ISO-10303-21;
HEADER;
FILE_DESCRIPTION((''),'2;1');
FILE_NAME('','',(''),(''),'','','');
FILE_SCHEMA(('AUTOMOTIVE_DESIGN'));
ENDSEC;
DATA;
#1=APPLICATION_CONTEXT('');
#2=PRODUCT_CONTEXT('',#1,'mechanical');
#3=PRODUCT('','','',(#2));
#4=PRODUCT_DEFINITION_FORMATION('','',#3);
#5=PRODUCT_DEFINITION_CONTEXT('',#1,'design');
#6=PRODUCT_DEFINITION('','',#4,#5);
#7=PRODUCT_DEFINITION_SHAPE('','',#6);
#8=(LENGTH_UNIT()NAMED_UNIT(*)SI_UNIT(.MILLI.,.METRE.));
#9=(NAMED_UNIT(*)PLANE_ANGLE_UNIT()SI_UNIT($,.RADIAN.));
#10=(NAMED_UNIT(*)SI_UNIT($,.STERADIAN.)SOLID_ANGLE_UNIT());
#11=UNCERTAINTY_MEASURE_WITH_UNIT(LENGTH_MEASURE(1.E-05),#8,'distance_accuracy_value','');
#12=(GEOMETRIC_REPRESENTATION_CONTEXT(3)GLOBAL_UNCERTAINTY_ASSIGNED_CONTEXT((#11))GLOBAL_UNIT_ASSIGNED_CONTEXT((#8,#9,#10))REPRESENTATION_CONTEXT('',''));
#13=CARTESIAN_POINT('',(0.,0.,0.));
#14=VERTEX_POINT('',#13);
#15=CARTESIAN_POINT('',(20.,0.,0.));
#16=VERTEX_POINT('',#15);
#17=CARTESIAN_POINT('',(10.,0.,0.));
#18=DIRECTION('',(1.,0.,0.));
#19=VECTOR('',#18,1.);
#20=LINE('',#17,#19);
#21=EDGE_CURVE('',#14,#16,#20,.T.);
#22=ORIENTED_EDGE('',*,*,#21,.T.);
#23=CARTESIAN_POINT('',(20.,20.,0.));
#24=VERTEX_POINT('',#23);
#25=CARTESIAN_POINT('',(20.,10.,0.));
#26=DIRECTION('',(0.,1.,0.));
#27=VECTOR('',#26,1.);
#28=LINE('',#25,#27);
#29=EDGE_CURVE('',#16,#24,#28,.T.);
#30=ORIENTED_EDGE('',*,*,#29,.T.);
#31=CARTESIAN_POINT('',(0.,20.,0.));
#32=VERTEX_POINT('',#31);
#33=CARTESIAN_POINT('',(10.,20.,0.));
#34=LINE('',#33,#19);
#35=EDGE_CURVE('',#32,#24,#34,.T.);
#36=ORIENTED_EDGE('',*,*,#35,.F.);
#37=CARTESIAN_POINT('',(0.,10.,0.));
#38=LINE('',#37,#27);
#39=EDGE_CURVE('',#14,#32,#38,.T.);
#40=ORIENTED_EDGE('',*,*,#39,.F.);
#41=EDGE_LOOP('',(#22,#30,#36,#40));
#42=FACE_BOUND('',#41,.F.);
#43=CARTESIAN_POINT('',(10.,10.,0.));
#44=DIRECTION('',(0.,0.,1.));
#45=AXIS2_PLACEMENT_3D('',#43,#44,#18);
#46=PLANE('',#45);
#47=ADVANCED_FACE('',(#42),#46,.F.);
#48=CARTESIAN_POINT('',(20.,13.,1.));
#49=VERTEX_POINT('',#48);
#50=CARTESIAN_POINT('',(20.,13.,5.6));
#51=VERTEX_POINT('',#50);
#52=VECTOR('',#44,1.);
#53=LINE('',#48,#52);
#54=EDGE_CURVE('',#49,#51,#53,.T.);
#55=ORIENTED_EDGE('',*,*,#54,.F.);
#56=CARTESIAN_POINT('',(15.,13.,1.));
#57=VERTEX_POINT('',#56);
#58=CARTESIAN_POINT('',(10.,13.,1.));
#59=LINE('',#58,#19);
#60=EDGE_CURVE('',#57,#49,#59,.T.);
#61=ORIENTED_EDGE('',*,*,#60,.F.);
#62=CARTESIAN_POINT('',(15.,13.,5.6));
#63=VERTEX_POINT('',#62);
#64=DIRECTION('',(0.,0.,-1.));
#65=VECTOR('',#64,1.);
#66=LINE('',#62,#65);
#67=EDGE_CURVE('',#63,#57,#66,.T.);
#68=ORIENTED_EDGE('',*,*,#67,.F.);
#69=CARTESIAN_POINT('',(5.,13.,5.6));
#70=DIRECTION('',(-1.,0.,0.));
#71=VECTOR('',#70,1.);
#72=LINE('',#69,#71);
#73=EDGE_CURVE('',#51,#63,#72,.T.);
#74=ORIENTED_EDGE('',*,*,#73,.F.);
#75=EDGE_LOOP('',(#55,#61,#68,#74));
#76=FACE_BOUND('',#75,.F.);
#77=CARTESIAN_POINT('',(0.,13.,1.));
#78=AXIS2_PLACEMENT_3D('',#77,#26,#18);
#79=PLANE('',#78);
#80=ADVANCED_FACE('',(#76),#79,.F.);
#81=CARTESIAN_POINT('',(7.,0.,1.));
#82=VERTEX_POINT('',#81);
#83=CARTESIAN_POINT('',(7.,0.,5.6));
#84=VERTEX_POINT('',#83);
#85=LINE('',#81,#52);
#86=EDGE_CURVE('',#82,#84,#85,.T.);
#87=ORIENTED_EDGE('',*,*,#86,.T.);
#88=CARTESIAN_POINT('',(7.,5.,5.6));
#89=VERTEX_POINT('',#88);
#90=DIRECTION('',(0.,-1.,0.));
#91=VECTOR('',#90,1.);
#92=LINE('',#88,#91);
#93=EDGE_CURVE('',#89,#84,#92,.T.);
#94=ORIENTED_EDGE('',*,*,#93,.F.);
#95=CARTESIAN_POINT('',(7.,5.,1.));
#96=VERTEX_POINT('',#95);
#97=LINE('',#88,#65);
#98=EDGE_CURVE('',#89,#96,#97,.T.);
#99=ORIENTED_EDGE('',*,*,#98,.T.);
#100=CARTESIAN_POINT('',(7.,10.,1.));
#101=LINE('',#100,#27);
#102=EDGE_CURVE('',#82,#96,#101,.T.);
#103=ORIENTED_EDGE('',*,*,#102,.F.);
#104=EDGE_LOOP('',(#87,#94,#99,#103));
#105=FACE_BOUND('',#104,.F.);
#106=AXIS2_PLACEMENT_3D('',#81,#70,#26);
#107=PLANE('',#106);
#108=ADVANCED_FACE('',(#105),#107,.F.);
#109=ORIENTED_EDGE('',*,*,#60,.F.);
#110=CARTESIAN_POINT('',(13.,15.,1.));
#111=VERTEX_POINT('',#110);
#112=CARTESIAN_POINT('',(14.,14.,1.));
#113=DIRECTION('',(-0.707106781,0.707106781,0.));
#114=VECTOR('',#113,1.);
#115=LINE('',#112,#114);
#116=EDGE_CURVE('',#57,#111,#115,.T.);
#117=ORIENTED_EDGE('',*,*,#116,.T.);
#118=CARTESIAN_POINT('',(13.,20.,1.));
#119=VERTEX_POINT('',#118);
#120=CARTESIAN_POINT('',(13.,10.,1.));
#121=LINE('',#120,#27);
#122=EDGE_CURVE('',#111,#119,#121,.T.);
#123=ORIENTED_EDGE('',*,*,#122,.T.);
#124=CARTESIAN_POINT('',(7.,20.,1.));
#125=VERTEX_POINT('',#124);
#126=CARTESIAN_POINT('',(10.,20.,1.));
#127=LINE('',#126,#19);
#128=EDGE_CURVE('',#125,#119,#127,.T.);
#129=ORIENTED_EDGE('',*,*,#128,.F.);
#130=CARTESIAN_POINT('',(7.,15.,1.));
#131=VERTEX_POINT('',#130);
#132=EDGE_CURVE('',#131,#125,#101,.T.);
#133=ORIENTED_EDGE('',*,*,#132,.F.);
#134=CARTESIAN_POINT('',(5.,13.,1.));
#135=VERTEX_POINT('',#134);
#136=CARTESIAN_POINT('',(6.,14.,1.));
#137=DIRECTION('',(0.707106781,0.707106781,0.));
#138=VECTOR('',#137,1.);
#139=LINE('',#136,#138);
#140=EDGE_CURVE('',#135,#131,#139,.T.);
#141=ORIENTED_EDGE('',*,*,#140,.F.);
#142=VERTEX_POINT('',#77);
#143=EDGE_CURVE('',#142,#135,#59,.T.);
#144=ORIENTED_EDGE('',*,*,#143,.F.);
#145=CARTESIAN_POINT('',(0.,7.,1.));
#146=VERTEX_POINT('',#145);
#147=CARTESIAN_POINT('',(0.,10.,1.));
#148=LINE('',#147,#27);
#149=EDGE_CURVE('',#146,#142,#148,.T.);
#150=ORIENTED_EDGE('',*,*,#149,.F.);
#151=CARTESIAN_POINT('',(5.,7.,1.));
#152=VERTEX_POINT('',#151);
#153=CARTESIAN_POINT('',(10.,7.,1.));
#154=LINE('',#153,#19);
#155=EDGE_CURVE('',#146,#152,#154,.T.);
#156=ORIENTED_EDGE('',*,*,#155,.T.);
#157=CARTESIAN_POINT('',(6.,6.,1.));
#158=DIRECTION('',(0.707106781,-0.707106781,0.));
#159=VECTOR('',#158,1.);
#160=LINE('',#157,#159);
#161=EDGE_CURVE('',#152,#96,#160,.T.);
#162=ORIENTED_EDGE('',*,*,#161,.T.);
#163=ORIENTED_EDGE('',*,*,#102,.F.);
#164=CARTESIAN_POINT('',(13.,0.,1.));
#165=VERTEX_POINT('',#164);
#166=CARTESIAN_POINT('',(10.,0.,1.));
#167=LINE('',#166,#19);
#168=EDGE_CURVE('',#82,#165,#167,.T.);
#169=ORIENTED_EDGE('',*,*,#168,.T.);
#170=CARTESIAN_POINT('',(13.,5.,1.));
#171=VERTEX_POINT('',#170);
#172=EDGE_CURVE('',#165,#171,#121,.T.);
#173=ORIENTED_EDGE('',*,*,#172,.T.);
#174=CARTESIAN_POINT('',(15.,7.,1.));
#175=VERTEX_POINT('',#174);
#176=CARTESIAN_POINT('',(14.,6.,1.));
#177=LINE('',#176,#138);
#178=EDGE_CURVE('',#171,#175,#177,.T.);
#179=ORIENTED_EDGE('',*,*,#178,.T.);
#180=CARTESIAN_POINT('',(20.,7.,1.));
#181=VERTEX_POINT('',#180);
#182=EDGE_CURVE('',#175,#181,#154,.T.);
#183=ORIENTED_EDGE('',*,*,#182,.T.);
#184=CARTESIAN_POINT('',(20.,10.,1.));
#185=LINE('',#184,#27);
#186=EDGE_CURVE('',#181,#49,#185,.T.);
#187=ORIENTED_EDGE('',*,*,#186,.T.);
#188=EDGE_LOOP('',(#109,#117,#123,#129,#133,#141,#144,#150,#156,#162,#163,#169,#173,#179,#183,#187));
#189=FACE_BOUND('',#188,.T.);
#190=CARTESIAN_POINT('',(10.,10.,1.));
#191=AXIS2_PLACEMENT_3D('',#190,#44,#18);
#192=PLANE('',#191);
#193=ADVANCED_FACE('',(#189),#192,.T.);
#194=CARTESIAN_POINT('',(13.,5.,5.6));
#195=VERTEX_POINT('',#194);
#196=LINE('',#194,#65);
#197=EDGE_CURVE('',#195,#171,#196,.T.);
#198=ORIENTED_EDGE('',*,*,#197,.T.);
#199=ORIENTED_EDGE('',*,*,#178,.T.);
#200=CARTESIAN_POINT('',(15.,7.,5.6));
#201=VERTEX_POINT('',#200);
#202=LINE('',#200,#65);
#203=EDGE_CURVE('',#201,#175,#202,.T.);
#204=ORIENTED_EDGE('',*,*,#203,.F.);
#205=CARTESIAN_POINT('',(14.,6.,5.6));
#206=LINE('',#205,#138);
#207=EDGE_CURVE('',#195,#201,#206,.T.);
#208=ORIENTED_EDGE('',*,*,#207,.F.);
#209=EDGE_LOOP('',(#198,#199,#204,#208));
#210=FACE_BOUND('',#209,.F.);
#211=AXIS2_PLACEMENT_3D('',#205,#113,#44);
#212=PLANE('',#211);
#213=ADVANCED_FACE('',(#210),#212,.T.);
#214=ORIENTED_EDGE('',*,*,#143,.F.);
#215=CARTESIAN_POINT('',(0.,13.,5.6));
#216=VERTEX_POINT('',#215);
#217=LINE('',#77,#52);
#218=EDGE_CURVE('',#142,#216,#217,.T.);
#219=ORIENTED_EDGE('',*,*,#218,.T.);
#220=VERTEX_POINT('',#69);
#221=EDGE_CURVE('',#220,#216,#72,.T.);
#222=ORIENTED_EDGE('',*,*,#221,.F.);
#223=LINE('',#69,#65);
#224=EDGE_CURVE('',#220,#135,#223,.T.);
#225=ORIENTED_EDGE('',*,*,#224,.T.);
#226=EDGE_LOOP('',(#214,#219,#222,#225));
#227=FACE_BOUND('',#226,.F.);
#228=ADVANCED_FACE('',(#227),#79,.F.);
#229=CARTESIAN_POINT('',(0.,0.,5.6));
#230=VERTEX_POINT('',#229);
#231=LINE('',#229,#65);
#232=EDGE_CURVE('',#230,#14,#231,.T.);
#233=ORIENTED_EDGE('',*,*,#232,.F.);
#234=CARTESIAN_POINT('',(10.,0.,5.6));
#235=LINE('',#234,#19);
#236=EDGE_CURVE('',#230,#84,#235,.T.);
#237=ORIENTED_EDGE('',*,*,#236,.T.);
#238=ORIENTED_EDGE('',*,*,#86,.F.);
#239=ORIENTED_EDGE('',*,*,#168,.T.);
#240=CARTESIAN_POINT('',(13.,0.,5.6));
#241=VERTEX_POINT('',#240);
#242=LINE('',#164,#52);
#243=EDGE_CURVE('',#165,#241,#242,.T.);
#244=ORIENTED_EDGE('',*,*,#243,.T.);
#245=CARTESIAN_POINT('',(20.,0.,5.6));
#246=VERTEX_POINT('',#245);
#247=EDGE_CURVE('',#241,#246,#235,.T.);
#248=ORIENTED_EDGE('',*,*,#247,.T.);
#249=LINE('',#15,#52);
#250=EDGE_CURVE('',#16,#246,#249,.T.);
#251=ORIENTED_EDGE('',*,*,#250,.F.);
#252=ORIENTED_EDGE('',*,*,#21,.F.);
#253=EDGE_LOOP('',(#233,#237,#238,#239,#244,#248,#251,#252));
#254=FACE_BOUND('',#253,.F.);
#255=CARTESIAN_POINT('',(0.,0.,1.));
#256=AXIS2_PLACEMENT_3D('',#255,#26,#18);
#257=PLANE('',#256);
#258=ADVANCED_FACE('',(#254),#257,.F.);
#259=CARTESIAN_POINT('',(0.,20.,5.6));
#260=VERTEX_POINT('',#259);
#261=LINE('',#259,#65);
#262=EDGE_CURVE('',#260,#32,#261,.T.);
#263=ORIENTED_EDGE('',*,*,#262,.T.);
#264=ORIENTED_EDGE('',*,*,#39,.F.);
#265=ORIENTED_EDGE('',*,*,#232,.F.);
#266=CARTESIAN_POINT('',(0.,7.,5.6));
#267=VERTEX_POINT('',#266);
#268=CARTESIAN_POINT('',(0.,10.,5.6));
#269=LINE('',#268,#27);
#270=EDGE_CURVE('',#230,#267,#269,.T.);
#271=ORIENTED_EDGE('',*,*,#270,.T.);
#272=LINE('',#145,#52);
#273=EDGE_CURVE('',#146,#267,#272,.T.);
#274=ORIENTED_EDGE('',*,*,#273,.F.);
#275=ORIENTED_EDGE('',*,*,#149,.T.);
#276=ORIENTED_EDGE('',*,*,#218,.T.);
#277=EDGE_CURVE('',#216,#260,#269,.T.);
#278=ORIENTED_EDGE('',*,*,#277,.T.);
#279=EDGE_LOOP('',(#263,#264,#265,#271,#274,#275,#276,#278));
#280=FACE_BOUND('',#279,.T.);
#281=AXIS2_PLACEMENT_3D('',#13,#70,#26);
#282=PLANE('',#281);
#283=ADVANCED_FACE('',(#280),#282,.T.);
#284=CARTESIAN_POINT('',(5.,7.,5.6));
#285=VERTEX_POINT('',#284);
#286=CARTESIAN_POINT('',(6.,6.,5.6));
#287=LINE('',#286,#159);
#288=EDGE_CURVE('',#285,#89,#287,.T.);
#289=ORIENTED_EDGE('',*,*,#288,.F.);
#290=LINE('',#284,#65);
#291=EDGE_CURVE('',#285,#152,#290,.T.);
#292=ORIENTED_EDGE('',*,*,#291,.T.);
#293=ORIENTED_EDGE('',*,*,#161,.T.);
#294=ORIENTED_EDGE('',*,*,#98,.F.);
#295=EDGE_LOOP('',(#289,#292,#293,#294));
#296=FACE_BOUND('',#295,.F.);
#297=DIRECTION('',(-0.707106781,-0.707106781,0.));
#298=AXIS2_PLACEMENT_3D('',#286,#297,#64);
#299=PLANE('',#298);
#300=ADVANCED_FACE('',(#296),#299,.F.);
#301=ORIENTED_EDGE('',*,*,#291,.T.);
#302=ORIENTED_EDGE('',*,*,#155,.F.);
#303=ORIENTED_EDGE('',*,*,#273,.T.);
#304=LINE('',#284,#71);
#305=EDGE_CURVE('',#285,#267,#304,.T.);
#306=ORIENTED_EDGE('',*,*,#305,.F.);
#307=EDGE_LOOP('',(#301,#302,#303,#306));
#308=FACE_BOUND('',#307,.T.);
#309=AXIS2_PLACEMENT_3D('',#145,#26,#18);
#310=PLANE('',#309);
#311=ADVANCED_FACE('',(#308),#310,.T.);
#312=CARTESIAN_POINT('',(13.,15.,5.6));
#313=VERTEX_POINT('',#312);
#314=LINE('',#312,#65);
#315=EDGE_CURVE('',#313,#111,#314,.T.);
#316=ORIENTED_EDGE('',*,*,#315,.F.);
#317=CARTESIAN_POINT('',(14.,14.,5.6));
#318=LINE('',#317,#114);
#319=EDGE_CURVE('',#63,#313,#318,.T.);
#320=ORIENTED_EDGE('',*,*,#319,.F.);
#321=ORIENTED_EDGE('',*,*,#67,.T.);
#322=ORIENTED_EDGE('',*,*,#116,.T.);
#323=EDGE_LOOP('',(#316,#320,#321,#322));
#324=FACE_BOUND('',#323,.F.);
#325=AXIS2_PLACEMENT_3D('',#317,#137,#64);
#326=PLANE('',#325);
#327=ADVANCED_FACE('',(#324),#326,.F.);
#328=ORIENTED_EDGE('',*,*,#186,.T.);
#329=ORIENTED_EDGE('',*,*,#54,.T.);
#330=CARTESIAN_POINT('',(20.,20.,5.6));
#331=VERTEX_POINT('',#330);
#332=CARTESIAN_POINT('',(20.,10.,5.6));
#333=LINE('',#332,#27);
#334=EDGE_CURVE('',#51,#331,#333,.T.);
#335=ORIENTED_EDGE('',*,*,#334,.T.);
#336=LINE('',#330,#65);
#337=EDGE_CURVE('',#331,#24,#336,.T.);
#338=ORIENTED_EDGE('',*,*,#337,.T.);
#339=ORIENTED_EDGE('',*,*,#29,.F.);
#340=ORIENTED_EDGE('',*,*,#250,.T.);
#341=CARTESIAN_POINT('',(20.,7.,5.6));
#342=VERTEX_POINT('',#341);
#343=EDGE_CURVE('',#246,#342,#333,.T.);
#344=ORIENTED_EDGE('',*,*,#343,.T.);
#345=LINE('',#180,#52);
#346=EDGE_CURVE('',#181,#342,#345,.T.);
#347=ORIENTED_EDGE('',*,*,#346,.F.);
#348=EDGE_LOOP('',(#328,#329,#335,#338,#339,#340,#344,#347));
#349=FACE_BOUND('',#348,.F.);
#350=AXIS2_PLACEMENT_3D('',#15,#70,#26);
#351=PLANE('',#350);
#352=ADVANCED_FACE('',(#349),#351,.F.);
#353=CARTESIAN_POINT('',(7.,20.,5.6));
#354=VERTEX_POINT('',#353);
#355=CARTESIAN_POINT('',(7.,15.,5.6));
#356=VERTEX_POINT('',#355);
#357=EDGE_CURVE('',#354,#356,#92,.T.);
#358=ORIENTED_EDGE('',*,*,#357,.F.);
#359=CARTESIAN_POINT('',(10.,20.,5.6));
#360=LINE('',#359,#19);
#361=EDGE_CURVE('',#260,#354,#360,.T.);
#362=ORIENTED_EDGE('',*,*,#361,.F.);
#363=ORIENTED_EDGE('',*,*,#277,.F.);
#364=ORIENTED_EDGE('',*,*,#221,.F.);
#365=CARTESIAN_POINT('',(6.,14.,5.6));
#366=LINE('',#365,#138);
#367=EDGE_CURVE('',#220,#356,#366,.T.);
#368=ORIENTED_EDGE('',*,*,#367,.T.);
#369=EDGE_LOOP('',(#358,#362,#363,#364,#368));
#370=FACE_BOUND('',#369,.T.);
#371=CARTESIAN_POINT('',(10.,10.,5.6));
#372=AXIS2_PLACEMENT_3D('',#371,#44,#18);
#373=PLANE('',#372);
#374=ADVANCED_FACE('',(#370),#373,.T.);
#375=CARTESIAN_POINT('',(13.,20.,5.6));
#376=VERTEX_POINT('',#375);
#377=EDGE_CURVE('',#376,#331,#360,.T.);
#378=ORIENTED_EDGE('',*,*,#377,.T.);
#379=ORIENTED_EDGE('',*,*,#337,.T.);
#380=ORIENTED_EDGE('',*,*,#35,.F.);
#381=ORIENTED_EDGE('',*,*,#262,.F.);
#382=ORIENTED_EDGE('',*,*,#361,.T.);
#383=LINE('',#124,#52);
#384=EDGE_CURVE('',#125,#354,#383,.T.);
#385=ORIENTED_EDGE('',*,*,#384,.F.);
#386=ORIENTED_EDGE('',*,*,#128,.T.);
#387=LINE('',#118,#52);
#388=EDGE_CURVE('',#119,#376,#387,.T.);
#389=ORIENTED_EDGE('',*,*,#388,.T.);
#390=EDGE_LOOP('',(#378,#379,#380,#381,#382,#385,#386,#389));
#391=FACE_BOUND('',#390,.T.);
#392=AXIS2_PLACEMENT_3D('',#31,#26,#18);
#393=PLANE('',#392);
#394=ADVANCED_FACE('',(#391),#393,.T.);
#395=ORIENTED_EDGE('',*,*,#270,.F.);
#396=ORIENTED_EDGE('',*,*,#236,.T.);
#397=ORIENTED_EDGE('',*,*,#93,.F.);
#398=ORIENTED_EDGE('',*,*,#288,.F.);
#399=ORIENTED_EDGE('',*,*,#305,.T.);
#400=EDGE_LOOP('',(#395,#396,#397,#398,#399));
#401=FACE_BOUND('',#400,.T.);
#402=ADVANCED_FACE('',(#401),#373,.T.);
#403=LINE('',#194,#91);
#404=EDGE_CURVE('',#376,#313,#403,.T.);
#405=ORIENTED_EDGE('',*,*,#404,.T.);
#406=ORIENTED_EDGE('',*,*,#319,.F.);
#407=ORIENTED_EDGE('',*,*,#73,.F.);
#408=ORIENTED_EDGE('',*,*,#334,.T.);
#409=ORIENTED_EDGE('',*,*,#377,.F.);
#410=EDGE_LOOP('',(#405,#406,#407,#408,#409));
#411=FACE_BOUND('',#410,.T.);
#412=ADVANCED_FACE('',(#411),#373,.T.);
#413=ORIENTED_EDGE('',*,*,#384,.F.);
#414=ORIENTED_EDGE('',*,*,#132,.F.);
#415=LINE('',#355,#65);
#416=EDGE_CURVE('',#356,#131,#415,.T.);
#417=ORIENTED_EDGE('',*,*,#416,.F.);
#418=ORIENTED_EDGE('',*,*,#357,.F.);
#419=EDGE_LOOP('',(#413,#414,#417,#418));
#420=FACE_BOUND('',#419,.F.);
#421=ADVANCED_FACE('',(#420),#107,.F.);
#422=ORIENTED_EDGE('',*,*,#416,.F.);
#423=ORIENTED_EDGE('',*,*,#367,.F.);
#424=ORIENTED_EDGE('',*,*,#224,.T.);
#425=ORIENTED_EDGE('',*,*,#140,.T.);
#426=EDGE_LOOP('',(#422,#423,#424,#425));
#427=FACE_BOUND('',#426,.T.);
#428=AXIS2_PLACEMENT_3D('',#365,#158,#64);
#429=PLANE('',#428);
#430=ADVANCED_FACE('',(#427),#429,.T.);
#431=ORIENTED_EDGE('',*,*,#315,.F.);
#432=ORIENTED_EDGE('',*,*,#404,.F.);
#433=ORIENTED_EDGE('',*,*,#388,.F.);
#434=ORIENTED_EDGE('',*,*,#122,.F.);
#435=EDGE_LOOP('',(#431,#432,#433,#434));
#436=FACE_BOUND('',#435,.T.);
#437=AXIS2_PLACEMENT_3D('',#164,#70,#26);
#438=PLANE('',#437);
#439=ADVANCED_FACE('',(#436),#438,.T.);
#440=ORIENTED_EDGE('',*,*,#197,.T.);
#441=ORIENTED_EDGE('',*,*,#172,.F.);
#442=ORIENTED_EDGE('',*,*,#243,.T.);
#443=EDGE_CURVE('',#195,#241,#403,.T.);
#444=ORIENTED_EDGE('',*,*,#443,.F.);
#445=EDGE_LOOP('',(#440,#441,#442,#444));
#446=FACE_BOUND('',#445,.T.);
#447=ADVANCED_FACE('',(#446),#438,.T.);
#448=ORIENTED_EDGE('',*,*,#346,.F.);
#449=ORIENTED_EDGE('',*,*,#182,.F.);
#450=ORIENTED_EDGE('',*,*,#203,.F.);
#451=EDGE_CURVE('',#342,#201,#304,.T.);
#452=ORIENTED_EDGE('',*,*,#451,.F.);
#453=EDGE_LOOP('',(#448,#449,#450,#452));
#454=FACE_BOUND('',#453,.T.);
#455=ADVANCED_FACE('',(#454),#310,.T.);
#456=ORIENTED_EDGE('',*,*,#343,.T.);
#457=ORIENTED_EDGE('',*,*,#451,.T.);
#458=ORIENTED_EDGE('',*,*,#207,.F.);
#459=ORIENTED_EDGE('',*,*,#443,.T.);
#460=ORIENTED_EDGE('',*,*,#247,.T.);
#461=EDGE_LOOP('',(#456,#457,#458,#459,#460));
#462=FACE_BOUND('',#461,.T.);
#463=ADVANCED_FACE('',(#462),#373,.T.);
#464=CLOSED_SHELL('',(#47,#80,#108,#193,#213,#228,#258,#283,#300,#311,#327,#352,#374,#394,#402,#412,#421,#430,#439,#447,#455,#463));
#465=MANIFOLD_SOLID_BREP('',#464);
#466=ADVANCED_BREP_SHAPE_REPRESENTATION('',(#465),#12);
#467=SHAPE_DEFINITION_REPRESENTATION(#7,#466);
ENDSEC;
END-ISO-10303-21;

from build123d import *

# Parameters (mm, degrees)
BOX002_W     = 20
BOX002_H     = 6
BOX002_DEPTH = 10
BOX001_W     = 6
BOX001_H     = 20
BOX001_DEPTH = 10
BOX_W        = 20
BOX_H        = 20
BOX_DEPTH    = 4.6
CHAMFER_SIZE = 2
BOX003_W     = 20
BOX003_H     = 20
BOX003_DEPTH = 1


with BuildPart() as cube002:
    # Box002 → Box002 (new body)
    with BuildSketch(Plane(origin=(0, 7, 0), x_dir=(1, 0, 0), z_dir=(0, 0, 1))):
        with Locations((10, 3)):
            Rectangle(BOX002_W, BOX002_H)
    extrude(amount=BOX002_DEPTH)


with BuildPart() as fusion:
    # Box001 → Box001 (new body)
    with BuildSketch(Plane(origin=(7, 0, 0), x_dir=(1, 0, 0), z_dir=(0, 0, 1))):
        with Locations((3, 10)):
            Rectangle(BOX001_W, BOX001_H)
    extrude(amount=BOX001_DEPTH)

    # Fusion: union Cube002
    add(cube002.part)


with BuildPart() as base_button:
    # Box → Box (new body)
    with BuildSketch(Plane.XY):
        with Locations((10, 10)):
            Rectangle(BOX_W, BOX_H)
    extrude(amount=BOX_DEPTH)

    # Cut: cut Fusion
    add(fusion.part, mode=Mode.SUBTRACT)

    # Chamfer
    chamfer_edges = [base_button.edges().sort_by_distance(p)[0] for p in [
        (7, 7, 2.3),
        (7, 13, 2.3),
        (13, 13, 2.3),
        (13, 7, 2.3),
    ]]
    chamfer(chamfer_edges, length=CHAMFER_SIZE)


with BuildPart() as base_button_1:
    # Chamfer placement: moved
    add(base_button.part.moved(Location((0, 0, 1))))


with BuildPart() as single_pad_base:
    # Box003 → Box003 (new body)
    with BuildSketch(Plane.XY):
        with Locations((10, 10)):
            Rectangle(BOX003_W, BOX003_H)
    extrude(amount=BOX003_DEPTH)

    # Fusion001: union base_button
    add(base_button_1.part)


solid = single_pad_base.part
